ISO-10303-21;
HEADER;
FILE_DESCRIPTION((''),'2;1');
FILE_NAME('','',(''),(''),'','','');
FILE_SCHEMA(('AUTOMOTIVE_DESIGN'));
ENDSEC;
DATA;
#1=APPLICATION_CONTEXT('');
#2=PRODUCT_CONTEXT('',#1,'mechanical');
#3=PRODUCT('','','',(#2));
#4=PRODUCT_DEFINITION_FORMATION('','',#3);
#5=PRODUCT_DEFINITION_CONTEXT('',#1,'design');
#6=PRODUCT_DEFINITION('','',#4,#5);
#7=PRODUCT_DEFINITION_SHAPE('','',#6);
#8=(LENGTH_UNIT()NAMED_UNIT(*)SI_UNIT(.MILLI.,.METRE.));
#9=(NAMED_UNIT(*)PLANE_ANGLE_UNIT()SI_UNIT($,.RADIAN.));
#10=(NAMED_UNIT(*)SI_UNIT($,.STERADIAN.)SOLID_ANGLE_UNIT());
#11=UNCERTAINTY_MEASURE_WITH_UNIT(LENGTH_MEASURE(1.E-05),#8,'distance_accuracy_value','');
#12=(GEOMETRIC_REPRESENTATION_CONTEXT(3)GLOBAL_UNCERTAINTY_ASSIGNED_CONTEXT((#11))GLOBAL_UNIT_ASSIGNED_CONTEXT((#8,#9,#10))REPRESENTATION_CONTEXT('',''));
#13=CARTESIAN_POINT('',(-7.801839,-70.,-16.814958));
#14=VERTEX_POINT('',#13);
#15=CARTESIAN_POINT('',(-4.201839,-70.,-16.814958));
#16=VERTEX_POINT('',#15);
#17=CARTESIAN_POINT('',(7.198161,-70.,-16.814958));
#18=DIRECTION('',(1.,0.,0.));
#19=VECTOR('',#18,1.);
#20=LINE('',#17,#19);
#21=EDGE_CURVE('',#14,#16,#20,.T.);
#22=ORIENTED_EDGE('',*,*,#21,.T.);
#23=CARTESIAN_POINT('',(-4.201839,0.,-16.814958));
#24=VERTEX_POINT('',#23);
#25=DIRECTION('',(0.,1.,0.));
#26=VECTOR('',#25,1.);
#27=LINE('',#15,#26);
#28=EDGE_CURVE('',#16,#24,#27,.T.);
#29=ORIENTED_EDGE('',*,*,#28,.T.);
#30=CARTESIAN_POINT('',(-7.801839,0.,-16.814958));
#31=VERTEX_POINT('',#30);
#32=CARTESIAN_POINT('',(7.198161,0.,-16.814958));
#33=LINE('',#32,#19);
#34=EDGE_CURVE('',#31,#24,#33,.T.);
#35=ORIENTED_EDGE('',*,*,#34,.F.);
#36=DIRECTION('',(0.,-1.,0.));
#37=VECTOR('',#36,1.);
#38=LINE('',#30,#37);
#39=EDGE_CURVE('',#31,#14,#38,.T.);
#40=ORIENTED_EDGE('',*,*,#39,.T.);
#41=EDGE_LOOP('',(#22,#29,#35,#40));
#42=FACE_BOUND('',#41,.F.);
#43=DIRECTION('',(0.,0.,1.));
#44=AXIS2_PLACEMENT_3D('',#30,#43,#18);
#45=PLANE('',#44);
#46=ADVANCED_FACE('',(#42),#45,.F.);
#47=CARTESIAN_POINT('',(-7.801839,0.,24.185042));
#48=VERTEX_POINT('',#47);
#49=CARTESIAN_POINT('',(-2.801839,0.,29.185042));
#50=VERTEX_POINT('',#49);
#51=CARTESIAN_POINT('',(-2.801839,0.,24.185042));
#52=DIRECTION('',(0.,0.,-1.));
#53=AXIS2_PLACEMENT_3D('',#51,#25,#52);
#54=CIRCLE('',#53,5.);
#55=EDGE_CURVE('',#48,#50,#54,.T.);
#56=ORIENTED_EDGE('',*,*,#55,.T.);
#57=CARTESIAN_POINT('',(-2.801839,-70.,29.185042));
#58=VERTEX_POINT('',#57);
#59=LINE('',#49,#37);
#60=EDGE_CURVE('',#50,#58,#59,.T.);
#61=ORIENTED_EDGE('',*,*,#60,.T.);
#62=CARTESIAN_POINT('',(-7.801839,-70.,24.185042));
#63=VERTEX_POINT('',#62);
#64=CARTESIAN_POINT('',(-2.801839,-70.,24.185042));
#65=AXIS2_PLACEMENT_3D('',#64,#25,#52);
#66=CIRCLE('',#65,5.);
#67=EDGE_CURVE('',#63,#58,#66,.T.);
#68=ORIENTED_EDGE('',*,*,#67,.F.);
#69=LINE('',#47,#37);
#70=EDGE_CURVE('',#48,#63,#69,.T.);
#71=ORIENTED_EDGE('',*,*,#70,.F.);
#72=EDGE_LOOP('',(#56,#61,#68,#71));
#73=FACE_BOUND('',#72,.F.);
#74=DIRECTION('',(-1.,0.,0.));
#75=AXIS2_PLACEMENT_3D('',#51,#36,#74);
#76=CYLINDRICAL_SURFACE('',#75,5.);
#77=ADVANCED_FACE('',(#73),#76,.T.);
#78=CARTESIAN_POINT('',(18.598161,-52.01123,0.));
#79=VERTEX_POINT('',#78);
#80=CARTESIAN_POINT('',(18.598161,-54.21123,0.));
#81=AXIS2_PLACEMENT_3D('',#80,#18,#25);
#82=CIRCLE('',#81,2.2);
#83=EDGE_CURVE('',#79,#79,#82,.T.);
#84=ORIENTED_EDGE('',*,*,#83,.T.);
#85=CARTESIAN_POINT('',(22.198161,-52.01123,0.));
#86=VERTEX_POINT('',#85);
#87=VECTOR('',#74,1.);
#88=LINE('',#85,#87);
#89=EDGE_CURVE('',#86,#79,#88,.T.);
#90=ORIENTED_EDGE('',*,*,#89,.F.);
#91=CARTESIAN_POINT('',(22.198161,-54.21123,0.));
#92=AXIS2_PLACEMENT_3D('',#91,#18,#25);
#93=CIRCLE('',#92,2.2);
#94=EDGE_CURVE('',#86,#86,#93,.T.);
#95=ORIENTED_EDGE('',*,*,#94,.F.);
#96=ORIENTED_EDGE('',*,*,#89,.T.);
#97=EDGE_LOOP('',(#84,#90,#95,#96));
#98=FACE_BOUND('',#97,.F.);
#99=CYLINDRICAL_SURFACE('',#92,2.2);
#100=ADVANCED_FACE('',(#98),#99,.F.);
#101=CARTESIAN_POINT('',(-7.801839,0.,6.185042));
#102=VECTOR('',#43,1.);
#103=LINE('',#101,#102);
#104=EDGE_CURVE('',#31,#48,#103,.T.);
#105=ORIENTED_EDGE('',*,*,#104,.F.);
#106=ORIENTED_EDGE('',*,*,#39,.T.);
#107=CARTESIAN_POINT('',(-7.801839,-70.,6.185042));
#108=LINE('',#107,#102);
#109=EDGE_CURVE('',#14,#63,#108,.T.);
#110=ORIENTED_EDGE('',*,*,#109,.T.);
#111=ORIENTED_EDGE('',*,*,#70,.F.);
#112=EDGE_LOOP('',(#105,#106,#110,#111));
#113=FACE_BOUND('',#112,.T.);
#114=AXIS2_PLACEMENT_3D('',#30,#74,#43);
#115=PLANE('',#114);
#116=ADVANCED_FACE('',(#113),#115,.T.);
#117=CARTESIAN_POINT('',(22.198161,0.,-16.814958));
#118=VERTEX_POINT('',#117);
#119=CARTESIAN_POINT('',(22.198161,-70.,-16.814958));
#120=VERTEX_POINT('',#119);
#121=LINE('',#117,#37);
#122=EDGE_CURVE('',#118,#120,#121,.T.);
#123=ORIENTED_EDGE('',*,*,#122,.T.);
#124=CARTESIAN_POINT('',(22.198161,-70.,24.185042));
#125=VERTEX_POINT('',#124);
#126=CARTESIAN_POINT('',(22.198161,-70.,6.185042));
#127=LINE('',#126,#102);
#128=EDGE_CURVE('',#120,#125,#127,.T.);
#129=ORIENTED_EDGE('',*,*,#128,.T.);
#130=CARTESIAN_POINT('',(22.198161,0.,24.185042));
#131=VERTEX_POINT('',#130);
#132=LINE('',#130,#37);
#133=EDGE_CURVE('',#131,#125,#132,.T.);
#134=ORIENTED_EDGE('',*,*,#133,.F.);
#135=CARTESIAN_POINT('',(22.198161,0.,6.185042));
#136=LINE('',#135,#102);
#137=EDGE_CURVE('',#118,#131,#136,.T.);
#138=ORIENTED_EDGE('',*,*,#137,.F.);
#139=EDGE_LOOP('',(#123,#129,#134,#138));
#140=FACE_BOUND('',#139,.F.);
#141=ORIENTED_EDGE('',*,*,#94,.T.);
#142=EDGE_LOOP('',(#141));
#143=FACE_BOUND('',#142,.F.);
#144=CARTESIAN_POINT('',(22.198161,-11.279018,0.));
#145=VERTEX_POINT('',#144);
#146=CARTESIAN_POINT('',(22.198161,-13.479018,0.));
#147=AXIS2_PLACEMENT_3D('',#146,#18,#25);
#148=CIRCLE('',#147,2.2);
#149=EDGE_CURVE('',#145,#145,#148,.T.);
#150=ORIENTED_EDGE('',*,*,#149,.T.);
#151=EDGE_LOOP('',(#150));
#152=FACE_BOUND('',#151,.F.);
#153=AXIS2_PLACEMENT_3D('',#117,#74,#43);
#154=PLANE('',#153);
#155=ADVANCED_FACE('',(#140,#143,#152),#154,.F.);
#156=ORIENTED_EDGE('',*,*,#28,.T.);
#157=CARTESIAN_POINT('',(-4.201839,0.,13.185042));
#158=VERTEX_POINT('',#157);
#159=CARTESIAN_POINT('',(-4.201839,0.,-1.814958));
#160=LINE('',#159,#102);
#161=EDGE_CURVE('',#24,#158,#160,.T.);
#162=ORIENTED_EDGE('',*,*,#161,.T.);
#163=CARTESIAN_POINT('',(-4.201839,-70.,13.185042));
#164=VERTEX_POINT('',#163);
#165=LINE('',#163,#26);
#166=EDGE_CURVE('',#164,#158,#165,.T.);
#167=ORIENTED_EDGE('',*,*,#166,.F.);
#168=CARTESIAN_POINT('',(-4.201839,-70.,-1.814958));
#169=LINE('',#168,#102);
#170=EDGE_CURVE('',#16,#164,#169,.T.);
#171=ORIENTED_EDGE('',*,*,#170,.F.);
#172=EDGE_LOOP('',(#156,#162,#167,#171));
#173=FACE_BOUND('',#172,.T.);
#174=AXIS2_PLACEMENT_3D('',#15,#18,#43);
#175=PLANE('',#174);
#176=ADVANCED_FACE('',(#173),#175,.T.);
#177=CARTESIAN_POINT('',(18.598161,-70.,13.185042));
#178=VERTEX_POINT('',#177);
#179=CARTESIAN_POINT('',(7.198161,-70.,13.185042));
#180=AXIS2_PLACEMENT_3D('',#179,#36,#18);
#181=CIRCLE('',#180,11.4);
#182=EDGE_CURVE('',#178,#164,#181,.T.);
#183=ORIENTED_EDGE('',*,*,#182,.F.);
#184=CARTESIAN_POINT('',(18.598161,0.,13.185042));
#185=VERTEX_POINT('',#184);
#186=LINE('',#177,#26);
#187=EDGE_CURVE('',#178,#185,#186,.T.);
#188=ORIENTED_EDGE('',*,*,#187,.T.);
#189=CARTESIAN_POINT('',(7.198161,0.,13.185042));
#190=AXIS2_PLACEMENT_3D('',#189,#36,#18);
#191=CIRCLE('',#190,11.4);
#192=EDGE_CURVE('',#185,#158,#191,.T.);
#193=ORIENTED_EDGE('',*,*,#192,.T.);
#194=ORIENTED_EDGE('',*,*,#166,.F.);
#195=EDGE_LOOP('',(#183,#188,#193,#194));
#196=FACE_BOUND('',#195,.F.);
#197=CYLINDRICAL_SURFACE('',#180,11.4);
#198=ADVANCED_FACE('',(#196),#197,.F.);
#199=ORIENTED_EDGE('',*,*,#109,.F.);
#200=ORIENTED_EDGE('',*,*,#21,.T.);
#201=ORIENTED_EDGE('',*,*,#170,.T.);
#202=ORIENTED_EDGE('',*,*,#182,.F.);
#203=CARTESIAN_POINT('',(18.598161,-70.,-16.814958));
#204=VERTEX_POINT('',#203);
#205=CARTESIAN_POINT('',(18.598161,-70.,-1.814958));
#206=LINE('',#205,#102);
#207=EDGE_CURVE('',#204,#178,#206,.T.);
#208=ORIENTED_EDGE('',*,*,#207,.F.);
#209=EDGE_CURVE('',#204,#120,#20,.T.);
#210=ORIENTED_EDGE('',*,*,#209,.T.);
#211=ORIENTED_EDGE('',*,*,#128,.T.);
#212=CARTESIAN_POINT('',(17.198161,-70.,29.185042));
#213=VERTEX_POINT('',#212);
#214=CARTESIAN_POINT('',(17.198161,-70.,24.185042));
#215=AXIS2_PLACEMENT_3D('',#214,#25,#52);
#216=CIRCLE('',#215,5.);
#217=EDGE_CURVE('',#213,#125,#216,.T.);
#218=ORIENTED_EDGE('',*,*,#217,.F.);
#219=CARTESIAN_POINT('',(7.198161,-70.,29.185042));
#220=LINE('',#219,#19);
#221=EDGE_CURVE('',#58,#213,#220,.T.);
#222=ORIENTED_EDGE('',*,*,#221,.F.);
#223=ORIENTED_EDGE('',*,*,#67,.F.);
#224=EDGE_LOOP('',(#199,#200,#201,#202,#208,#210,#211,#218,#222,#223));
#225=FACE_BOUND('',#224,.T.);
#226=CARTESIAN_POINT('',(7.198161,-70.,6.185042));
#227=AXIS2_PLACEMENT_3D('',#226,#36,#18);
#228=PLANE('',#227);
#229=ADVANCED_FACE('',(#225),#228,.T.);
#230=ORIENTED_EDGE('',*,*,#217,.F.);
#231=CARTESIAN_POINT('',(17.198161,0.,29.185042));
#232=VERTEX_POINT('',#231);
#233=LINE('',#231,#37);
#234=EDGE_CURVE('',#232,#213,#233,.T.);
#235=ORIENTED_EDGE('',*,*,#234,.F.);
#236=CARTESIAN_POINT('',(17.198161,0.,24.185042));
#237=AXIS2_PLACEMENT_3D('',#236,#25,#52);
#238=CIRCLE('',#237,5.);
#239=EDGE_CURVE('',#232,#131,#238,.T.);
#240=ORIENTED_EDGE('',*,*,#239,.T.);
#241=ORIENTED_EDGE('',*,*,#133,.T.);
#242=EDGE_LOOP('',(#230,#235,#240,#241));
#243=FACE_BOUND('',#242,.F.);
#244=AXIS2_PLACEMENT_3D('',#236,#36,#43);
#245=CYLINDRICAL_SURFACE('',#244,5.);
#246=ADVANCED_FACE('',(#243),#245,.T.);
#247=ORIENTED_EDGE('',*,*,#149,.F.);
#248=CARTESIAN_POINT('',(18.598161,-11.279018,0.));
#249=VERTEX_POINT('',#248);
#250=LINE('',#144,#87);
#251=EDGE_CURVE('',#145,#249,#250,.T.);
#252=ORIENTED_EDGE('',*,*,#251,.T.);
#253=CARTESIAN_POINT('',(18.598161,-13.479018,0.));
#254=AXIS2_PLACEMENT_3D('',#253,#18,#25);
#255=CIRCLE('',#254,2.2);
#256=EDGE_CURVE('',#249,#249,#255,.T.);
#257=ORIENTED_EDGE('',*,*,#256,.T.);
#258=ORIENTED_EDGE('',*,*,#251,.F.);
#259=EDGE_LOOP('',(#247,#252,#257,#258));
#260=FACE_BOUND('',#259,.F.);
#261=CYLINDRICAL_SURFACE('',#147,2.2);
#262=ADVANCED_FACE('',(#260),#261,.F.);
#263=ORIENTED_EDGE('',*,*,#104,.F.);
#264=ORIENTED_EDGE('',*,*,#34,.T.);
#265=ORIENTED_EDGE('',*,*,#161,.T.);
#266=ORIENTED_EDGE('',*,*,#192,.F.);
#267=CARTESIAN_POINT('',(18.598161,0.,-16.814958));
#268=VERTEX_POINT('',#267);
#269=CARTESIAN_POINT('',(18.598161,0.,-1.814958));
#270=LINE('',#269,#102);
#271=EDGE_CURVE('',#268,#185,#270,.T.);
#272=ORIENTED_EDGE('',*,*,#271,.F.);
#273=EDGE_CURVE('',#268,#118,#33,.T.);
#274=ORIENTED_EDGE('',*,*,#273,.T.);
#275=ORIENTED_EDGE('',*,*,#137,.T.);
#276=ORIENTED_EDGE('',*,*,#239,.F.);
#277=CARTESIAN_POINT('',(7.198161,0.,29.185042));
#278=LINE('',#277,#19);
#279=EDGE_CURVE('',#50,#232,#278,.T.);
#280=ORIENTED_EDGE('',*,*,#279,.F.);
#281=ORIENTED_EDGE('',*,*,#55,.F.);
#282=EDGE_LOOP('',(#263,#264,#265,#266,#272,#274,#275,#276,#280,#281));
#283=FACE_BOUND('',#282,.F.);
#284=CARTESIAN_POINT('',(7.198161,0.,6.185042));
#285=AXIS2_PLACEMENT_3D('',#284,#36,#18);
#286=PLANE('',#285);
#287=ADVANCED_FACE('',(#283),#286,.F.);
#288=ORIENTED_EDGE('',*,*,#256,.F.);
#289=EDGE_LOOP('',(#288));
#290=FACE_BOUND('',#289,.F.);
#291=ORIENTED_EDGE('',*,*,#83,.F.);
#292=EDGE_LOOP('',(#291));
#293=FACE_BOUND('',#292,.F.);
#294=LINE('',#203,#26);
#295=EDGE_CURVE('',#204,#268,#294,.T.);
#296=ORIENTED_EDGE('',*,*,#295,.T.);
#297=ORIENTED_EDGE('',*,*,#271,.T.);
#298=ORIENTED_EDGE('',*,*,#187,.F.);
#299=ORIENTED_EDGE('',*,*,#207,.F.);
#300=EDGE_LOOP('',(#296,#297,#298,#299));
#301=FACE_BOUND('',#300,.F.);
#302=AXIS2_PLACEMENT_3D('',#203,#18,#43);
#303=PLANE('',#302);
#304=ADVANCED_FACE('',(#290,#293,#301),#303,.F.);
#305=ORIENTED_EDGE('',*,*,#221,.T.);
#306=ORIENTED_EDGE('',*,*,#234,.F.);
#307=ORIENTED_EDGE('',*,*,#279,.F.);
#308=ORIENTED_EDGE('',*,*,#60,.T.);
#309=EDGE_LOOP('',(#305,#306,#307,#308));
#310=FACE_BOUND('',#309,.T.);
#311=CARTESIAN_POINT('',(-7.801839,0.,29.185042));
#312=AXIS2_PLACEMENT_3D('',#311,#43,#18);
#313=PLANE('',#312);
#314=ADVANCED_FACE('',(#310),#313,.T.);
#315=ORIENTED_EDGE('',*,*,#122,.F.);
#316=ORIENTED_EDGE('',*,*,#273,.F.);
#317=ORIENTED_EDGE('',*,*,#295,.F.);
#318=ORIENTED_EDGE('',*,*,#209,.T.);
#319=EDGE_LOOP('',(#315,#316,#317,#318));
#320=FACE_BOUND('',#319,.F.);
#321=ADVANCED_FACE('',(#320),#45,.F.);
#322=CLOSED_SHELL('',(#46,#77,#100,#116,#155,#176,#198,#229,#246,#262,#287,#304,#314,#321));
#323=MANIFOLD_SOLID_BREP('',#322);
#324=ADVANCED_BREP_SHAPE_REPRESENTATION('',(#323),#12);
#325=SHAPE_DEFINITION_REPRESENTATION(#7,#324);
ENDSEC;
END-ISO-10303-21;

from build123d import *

# Parameters (mm, degrees)
F0_W     = 30
F0_H     = 46
F1_DEPTH = 70
F2_W     = 22.8
F2_H     = 30
F3_DEPTH = 70
F4_R     = 2.2
F5_DEPTH = 3.6
F6_R     = 5


with BuildPart() as f1:
    # F0 (on Front) → F1 (new body)
    with BuildSketch(Plane.XZ):
        with Locations((7.198161, 6.185042)):
            Rectangle(F0_W, F0_H)
    extrude(amount=F1_DEPTH)

    # F2 (on face) → F3 (cut)
    with BuildSketch(Plane.XZ.offset(70)):
        with BuildLine():
            ThreePointArc((18.598161, 13.185042), (7.198161, 24.585042), (-4.201839, 13.185042))
            Line((-4.201839, 13.185042), (18.598161, 13.185042))
        make_face()
        with Locations((7.198161, -1.814958)):
            Rectangle(F2_W, F2_H)
    extrude(amount=-F3_DEPTH, mode=Mode.SUBTRACT)

    # F4 (on face) → F5 (cut, through all)
    with BuildSketch(Plane.YZ.offset(22.198161)):
        with Locations((-54.21123, 0)):
            Circle(F4_R)
        with Locations((-13.479018, 0)):
            Circle(F4_R)
    extrude(amount=-F5_DEPTH, mode=Mode.SUBTRACT)

    # F6
    f6_edges = [f1.edges().sort_by_distance(p)[0] for p in [
        (-7.801839, -35, 29.185042),
        (22.198161, -35, 29.185042),
    ]]
    fillet(f6_edges, radius=F6_R)


solid = f1.part
